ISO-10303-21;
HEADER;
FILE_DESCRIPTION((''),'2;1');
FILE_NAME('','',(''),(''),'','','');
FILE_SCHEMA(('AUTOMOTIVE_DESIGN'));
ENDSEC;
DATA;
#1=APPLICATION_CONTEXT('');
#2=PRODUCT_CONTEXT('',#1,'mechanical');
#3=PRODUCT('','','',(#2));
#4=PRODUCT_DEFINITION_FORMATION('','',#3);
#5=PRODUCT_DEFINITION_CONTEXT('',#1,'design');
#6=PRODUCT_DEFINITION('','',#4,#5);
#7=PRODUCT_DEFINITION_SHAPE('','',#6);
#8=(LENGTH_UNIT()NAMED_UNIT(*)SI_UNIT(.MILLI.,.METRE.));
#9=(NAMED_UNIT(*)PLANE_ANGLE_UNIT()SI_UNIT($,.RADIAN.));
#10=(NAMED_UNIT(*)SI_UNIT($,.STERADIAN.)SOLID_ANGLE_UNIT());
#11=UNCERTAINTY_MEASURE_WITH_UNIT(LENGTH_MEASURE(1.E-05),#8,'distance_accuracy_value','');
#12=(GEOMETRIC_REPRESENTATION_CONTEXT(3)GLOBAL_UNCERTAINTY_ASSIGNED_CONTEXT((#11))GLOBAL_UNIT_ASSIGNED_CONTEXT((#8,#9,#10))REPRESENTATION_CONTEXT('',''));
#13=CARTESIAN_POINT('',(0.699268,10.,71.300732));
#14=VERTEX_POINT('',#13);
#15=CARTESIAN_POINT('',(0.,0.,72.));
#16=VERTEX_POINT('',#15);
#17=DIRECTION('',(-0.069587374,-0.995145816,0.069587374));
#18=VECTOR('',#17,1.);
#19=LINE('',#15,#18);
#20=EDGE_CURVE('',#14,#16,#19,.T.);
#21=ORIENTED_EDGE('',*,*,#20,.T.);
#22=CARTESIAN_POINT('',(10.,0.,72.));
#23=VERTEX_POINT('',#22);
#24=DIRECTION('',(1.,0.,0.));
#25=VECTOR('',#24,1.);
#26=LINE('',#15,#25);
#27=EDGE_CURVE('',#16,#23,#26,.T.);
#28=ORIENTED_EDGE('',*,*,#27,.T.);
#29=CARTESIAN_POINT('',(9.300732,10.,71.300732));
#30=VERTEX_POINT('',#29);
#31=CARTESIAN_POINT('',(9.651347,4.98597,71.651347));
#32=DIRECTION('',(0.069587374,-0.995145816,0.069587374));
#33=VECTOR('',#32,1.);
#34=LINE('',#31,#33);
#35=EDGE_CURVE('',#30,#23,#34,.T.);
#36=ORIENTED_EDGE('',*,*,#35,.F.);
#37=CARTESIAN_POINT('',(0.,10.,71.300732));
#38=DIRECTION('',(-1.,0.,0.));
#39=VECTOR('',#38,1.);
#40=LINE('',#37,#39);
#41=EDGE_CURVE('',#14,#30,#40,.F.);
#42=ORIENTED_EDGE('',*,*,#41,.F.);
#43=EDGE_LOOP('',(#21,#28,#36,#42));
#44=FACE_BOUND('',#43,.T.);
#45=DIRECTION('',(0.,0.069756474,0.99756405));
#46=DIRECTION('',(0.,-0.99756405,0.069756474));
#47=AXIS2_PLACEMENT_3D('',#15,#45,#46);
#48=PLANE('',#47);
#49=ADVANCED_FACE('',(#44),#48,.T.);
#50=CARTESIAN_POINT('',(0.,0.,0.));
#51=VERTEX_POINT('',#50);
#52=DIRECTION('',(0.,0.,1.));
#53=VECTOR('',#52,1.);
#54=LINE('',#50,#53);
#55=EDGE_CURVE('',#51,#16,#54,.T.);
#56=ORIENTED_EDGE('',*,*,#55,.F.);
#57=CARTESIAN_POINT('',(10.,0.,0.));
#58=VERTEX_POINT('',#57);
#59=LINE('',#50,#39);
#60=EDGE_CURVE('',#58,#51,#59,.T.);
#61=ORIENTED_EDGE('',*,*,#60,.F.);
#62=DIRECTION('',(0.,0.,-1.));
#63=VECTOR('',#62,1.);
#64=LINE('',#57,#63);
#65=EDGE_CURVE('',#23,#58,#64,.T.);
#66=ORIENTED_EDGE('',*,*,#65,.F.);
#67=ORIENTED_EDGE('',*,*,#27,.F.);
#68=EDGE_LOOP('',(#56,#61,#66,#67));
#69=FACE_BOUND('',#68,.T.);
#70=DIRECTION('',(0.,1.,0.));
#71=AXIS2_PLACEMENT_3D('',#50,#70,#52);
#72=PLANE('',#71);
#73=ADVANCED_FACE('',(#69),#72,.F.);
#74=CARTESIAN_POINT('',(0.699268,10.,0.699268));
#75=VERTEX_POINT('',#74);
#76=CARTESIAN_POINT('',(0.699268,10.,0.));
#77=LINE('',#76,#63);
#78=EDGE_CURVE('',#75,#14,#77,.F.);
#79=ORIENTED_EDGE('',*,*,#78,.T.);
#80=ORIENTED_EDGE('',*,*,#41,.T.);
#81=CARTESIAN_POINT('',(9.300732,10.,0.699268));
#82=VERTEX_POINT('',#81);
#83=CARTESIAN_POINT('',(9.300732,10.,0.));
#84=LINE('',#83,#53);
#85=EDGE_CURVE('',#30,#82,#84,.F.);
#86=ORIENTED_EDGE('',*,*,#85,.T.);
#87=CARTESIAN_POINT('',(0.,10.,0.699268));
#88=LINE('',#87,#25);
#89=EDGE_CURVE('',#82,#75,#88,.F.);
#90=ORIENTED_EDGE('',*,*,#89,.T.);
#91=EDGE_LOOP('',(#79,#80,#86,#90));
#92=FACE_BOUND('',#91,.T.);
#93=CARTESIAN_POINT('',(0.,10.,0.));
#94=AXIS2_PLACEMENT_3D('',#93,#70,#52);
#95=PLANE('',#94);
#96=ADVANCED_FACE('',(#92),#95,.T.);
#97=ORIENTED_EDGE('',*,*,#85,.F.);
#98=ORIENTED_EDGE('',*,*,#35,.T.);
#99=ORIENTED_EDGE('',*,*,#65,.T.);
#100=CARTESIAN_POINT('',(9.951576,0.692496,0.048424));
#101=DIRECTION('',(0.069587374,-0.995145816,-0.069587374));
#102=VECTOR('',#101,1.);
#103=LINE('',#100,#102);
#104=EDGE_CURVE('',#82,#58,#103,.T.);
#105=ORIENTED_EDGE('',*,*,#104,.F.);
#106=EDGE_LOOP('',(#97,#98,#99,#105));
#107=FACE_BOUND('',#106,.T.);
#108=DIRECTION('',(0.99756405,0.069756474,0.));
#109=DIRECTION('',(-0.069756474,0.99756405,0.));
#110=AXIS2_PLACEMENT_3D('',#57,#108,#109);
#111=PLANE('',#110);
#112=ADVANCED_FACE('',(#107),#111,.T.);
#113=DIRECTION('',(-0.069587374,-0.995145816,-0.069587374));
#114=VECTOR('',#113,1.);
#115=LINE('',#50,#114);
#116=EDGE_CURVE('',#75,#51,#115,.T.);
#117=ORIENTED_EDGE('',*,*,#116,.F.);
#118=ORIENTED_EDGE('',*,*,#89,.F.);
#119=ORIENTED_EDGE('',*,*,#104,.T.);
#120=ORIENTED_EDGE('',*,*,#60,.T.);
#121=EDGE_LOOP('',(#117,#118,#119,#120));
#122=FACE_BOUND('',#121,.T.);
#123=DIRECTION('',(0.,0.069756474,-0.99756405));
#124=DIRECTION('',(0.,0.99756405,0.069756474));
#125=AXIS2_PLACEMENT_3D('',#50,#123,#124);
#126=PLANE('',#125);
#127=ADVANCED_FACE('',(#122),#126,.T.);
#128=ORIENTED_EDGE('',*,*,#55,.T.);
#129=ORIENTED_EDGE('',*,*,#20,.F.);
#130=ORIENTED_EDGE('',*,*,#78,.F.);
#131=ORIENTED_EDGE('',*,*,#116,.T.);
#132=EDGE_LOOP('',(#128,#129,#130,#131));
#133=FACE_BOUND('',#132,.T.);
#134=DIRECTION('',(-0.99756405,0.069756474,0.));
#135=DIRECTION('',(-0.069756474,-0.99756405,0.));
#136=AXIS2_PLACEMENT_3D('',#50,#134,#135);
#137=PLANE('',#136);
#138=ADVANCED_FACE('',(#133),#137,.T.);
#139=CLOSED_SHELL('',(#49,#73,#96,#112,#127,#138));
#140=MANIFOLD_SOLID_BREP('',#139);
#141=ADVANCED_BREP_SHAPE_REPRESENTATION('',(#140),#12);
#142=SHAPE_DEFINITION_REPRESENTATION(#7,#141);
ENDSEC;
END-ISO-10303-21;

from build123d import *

# Parameters (mm, degrees)
SKETCH1_W           = 10
SKETCH1_H           = 72
BOSS_EXTRUDE1_DEPTH = 10
BOSS_EXTRUDE1_TAPER = 4


with BuildPart() as part:
    # Sketch1 → Boss-Extrude1 (new body)
    with BuildSketch(Plane(origin=(0, 0, 0), x_dir=(1, 0, 0), z_dir=(0, 1, 0))):
        with Locations((5, -36)):
            Rectangle(SKETCH1_W, SKETCH1_H)
    extrude(amount=BOSS_EXTRUDE1_DEPTH, taper=BOSS_EXTRUDE1_TAPER)


solid = part.part
